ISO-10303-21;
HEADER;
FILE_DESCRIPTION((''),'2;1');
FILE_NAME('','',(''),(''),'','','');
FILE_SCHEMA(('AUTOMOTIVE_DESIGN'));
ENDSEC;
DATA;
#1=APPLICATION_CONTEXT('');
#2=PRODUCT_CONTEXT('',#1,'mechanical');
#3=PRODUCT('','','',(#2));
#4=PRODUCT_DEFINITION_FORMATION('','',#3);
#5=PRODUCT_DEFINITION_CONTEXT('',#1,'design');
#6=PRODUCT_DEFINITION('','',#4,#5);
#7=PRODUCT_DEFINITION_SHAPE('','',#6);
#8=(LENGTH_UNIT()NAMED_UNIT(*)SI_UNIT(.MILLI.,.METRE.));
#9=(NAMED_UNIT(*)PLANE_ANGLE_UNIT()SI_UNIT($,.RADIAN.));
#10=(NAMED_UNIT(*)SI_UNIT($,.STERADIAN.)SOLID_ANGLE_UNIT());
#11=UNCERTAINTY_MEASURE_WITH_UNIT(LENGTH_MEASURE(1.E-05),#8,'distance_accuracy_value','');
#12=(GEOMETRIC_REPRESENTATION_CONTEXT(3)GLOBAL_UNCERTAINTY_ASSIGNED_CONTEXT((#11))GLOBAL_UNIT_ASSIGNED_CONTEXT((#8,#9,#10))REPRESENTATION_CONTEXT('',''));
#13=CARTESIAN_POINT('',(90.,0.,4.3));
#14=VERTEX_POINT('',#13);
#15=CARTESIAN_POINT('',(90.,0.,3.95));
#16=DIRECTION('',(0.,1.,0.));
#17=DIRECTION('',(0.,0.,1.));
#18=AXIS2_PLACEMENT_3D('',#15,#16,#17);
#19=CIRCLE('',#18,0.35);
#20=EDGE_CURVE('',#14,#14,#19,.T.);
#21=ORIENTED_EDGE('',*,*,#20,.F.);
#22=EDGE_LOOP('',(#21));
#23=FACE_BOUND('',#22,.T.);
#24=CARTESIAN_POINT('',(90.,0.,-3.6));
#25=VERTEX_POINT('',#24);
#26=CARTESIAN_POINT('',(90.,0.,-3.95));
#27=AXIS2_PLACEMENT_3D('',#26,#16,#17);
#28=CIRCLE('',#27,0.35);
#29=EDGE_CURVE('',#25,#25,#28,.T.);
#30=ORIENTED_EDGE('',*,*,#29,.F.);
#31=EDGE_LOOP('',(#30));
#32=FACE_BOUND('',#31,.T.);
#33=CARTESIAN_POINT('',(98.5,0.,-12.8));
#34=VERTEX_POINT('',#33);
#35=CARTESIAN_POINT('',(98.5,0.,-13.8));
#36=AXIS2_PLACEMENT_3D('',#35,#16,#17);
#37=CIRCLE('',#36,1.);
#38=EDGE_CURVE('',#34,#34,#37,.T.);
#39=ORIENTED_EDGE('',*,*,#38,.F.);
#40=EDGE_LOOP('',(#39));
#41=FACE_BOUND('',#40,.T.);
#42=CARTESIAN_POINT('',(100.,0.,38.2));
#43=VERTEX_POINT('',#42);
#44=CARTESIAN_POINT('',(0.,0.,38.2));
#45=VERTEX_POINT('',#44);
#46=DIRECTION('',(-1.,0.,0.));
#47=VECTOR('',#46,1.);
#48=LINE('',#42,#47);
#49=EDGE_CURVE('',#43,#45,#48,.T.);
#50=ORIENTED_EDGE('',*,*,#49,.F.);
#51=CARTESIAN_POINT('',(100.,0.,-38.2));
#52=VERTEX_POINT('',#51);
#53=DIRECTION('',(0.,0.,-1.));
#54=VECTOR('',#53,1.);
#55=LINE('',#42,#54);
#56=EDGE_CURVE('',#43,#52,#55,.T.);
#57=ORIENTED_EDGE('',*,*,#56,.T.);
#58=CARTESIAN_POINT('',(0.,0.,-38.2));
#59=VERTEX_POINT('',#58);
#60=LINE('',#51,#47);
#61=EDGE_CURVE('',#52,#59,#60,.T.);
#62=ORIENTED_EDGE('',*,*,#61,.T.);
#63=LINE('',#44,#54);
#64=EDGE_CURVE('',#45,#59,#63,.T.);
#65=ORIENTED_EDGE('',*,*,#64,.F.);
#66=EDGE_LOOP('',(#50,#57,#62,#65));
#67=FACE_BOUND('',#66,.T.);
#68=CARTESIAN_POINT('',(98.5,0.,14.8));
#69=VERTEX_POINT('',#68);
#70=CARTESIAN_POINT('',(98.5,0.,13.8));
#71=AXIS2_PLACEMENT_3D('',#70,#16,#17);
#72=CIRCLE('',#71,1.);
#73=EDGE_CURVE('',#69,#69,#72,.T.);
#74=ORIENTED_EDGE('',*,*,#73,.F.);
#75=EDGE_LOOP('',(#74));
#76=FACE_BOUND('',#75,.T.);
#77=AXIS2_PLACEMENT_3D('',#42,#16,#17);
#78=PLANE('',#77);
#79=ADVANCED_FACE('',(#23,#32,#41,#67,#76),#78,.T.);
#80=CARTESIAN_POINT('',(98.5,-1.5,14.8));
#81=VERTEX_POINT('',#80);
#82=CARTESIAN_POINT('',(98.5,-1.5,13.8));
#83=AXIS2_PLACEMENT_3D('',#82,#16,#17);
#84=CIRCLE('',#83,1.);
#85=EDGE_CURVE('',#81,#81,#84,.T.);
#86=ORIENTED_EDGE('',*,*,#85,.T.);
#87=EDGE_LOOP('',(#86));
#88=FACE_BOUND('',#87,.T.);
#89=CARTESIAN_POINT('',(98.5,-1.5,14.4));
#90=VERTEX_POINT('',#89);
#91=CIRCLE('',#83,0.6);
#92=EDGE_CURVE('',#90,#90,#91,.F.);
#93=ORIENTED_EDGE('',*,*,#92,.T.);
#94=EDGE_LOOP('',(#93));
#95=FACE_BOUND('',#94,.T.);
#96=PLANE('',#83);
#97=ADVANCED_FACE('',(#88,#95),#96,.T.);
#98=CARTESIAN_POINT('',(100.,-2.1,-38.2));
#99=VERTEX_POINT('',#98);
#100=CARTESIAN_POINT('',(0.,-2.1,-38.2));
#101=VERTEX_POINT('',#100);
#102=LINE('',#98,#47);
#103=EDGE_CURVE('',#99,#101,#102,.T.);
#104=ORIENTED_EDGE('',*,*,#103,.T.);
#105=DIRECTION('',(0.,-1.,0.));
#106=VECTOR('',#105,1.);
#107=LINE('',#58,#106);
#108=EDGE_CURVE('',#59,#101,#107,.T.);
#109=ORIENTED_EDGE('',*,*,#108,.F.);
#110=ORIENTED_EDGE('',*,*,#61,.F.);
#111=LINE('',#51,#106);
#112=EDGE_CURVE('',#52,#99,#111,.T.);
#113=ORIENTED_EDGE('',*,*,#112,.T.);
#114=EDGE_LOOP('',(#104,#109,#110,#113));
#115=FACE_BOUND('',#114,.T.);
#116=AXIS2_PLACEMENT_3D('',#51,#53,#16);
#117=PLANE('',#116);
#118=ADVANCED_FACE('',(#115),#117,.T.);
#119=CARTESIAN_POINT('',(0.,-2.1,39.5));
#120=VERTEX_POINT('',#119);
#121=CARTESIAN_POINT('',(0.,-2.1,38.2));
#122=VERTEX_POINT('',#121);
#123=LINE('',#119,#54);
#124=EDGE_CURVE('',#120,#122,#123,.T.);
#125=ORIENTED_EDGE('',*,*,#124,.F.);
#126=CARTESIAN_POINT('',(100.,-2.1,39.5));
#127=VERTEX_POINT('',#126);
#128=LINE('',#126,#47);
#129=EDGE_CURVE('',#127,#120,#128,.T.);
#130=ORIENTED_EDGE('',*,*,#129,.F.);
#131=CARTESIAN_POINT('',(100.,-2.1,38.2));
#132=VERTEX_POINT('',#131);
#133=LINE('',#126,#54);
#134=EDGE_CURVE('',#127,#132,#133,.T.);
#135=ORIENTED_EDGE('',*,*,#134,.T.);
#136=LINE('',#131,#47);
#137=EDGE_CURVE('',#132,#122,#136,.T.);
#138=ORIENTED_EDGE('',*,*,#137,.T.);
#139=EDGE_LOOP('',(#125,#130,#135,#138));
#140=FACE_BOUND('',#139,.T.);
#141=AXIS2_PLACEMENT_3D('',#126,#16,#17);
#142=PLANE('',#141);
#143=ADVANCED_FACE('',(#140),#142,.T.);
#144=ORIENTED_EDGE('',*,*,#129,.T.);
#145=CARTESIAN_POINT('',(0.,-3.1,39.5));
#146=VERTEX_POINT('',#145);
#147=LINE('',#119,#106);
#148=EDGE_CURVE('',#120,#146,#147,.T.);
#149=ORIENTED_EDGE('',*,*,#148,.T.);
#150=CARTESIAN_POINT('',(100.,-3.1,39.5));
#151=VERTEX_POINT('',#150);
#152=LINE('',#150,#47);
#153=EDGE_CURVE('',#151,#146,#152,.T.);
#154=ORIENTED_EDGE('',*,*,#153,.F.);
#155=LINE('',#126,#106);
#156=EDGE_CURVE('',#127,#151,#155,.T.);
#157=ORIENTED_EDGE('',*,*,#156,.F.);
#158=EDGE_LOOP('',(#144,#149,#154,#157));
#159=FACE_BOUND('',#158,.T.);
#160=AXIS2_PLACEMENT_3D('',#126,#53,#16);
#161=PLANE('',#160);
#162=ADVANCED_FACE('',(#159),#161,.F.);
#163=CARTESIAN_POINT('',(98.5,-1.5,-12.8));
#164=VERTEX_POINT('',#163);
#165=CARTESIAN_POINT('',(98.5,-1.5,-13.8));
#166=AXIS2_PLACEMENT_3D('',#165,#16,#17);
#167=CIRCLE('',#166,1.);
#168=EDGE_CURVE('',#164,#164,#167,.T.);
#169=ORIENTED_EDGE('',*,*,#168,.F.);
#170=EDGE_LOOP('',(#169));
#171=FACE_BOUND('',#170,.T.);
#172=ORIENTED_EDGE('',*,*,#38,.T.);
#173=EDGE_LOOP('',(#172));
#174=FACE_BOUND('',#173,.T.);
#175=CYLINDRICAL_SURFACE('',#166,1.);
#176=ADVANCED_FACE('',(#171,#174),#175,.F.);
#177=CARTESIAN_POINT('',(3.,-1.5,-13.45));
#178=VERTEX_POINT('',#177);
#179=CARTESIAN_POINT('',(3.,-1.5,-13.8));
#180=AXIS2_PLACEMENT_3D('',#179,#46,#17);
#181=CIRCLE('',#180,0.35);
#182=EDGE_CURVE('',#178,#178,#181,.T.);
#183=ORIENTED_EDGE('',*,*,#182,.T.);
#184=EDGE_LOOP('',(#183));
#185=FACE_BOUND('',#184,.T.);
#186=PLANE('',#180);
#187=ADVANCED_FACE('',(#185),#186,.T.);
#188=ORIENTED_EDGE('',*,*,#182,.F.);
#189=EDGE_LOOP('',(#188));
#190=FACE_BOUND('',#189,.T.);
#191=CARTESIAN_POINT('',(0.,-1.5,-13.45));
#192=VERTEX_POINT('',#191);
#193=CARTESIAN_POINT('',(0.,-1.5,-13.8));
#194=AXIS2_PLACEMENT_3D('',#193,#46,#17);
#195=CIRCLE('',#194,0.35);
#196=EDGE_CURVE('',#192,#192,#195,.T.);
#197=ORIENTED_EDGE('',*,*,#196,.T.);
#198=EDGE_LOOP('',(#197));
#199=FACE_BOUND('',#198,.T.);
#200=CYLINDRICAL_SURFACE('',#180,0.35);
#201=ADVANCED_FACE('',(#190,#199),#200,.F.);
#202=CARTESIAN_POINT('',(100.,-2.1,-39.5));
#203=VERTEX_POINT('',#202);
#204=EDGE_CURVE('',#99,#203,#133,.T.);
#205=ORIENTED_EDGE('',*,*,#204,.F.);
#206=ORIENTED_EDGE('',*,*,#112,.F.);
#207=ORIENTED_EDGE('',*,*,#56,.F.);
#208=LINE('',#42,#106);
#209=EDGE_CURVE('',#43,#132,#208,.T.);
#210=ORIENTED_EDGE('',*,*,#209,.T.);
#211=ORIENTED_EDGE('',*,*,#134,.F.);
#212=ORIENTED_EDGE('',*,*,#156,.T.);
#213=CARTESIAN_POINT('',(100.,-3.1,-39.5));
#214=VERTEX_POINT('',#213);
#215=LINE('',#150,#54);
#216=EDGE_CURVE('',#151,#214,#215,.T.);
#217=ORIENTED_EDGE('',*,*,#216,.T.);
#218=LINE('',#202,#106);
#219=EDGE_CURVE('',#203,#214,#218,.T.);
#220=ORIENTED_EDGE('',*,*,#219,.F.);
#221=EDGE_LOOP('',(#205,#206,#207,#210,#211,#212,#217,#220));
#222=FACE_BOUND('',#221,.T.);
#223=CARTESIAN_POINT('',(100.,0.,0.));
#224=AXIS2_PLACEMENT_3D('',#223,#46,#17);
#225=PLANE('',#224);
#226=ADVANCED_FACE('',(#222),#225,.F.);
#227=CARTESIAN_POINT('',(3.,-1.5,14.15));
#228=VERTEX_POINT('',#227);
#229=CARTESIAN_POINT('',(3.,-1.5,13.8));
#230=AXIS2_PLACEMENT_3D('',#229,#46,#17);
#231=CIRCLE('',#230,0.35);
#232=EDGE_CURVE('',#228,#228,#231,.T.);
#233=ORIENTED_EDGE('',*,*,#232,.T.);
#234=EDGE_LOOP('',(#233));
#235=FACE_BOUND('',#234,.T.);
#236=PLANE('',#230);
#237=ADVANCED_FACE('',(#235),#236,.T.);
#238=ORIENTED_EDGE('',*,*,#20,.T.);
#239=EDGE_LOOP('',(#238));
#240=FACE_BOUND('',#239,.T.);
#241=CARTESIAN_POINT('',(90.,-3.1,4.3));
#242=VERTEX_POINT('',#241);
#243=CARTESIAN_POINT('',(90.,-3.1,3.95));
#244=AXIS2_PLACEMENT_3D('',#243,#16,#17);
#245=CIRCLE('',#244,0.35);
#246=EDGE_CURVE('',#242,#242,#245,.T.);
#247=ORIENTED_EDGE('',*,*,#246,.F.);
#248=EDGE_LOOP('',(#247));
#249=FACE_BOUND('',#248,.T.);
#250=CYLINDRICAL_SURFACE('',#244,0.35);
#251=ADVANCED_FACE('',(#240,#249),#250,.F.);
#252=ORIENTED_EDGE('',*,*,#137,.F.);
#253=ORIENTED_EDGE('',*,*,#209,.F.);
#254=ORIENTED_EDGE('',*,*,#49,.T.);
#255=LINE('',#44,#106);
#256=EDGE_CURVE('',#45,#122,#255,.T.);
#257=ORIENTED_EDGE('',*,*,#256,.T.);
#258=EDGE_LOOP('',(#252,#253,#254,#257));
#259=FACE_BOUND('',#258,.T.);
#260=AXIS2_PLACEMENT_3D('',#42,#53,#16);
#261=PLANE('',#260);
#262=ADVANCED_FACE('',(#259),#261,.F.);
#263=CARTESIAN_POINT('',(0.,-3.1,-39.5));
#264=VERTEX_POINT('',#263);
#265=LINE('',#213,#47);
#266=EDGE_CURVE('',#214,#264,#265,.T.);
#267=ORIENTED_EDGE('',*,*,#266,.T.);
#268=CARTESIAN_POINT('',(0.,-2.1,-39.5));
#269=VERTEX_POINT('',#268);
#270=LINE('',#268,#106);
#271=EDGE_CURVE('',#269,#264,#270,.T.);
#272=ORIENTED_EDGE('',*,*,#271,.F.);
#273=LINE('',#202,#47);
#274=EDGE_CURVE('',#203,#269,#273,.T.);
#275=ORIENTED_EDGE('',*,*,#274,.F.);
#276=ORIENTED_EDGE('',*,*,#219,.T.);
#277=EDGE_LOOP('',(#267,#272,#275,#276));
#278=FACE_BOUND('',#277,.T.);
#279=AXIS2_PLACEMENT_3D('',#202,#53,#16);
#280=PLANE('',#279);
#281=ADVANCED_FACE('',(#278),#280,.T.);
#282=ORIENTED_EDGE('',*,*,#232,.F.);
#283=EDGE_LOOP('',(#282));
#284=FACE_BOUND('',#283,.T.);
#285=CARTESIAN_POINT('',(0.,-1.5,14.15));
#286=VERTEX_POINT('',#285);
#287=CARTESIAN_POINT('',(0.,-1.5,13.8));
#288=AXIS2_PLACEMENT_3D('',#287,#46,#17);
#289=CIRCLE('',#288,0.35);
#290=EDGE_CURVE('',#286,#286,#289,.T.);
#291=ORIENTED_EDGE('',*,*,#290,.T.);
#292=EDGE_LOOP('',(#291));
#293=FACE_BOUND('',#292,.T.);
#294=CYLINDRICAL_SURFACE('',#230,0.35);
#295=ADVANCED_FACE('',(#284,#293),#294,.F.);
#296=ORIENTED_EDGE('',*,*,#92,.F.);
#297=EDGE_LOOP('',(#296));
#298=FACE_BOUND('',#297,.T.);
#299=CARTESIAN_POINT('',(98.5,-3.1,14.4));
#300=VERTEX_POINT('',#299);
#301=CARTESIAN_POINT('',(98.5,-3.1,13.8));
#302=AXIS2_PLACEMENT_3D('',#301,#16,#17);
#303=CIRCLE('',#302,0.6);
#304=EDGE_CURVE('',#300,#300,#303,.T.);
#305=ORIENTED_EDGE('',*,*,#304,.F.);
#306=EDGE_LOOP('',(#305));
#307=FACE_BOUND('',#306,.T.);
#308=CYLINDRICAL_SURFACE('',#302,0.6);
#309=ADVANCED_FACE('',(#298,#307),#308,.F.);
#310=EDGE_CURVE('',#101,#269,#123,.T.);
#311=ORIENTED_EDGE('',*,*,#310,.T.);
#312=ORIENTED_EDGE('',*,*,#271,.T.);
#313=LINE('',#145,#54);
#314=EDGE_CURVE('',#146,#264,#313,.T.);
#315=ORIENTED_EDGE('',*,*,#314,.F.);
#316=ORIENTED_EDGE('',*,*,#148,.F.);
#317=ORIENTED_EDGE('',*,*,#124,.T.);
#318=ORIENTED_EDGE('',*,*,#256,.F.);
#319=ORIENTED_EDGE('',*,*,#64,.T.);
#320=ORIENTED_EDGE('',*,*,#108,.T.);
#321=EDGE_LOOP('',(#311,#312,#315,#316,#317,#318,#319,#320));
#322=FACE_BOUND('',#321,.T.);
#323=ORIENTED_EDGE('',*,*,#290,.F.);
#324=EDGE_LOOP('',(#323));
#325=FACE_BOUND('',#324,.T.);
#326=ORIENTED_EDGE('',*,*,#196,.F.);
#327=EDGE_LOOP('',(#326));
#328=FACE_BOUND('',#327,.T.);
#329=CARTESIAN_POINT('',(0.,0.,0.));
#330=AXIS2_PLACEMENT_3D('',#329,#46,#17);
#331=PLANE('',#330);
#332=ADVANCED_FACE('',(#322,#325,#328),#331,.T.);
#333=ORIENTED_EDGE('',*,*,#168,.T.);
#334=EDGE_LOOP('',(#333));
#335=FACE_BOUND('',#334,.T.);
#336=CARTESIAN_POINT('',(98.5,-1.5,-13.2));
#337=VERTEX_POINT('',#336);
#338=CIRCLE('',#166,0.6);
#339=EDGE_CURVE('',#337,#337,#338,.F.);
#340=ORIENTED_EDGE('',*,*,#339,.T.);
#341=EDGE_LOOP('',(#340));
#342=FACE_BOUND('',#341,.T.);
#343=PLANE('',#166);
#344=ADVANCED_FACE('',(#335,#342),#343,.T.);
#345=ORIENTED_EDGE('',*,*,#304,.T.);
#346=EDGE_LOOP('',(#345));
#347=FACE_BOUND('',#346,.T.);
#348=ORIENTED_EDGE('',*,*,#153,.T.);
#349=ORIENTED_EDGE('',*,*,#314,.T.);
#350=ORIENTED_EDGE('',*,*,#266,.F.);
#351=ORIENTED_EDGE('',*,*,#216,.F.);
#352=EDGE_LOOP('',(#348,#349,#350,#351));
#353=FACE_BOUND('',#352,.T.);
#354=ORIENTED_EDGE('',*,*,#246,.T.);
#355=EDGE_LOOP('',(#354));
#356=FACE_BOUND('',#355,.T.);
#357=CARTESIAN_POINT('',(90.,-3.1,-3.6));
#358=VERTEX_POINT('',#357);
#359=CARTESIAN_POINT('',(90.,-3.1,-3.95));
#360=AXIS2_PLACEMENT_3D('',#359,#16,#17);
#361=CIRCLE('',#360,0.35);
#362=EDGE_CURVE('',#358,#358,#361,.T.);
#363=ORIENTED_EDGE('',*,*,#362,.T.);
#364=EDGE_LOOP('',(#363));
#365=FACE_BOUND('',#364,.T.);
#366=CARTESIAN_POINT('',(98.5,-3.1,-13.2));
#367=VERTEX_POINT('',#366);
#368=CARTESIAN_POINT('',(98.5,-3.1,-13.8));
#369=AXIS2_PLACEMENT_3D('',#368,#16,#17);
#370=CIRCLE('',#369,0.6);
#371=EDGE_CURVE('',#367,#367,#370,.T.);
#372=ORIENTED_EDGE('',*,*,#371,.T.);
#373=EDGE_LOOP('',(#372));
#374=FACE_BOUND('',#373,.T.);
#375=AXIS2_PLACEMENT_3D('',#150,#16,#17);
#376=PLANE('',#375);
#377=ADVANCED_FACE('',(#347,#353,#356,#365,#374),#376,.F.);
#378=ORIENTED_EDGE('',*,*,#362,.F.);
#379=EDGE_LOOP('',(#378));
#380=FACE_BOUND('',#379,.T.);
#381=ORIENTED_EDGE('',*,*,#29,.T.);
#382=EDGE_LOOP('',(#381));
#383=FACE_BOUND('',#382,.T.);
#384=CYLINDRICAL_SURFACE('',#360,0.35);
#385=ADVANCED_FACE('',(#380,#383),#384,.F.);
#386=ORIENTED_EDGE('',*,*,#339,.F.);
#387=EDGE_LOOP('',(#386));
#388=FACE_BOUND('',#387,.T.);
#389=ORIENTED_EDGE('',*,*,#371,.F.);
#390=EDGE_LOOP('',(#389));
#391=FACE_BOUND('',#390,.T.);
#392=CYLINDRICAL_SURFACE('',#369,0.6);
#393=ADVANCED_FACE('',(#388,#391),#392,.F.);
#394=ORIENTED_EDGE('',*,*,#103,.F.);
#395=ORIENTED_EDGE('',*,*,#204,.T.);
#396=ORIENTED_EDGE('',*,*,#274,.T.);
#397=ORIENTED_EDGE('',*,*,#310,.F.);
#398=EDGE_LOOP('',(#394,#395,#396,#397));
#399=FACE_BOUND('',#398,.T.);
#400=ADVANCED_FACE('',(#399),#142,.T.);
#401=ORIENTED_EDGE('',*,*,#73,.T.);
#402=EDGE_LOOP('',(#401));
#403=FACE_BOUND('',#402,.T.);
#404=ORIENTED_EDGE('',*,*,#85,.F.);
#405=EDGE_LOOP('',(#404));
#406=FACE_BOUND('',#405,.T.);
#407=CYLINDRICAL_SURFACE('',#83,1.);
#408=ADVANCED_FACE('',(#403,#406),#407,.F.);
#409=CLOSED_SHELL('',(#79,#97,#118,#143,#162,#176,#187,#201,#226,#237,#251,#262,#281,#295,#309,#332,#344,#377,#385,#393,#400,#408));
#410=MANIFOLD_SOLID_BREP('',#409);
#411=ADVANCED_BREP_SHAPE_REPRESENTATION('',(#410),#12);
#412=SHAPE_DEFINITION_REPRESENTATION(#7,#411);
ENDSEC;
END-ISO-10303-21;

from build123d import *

# Parameters (mm, degrees)
SKETCH_1_W          = 76.4
SKETCH_1_H          = 2.1
SKETCH_1_W_2        = 79
SKETCH_1_H_2        = 1
EXTRUDE_1_DEPTH     = 100
SKETCH_2_R          = 0.35
CUT_EXTRUDE_1_DEPTH = 3
SKETCH_4_R          = 0.6
CUT_EXTRUDE_2_DEPTH = 108.563283698
SKETCH_4_3_R        = 1
CUT_EXTRUDE_3_DEPTH = 1.5
SKETCH_5_R          = 0.35
CUT_EXTRUDE_4_DEPTH = 108.563283698


with BuildPart() as part:
    # 草图1 → 凸台-拉伸1 (new body)
    with BuildSketch(Plane(origin=(0, 0, 0), x_dir=(0, 0, -1), z_dir=(1, 0, 0))):
        with Locations((0, -1.05)):
            Rectangle(SKETCH_1_W, SKETCH_1_H)
        with Locations((0, -2.6)):
            Rectangle(SKETCH_1_W_2, SKETCH_1_H_2)
    extrude(amount=EXTRUDE_1_DEPTH)

    # 草图2 → 切除-拉伸1 (cut)
    with BuildSketch(Plane.ZY):
        with Locations((-13.8, -1.5)):
            Circle(SKETCH_2_R)
        with Locations((13.8, -1.5)):
            Circle(SKETCH_2_R)
    extrude(amount=-CUT_EXTRUDE_1_DEPTH, mode=Mode.SUBTRACT)

    # 草图4 → 切除-拉伸2 (cut, through all)
    with BuildSketch(Plane(origin=(0, 0, 0), x_dir=(1, 0, 0), z_dir=(0, 1, 0))):
        with Locations((98.5, -13.8)):
            Circle(SKETCH_4_R)
        with Locations((98.5, 13.8)):
            Circle(SKETCH_4_R)
    extrude(amount=-CUT_EXTRUDE_2_DEPTH, mode=Mode.SUBTRACT)

    # 草图4<3> → 切除-拉伸3 (cut)
    with BuildSketch(Plane(origin=(0, 0, 0), x_dir=(1, 0, 0), z_dir=(0, 1, 0))):
        with Locations((98.5, -13.8)):
            Circle(SKETCH_4_3_R)
        with Locations((98.5, 13.8)):
            Circle(SKETCH_4_3_R)
    extrude(amount=-CUT_EXTRUDE_3_DEPTH, mode=Mode.SUBTRACT)

    # 草图5 → 切除-拉伸4 (cut, through all)
    with BuildSketch(Plane(origin=(0, 0, 0), x_dir=(1, 0, 0), z_dir=(0, 1, 0))):
        with Locations((90, 3.95)):
            Circle(SKETCH_5_R)
        with Locations((90, -3.95)):
            Circle(SKETCH_5_R)
    extrude(amount=-CUT_EXTRUDE_4_DEPTH, mode=Mode.SUBTRACT)


solid = part.part
